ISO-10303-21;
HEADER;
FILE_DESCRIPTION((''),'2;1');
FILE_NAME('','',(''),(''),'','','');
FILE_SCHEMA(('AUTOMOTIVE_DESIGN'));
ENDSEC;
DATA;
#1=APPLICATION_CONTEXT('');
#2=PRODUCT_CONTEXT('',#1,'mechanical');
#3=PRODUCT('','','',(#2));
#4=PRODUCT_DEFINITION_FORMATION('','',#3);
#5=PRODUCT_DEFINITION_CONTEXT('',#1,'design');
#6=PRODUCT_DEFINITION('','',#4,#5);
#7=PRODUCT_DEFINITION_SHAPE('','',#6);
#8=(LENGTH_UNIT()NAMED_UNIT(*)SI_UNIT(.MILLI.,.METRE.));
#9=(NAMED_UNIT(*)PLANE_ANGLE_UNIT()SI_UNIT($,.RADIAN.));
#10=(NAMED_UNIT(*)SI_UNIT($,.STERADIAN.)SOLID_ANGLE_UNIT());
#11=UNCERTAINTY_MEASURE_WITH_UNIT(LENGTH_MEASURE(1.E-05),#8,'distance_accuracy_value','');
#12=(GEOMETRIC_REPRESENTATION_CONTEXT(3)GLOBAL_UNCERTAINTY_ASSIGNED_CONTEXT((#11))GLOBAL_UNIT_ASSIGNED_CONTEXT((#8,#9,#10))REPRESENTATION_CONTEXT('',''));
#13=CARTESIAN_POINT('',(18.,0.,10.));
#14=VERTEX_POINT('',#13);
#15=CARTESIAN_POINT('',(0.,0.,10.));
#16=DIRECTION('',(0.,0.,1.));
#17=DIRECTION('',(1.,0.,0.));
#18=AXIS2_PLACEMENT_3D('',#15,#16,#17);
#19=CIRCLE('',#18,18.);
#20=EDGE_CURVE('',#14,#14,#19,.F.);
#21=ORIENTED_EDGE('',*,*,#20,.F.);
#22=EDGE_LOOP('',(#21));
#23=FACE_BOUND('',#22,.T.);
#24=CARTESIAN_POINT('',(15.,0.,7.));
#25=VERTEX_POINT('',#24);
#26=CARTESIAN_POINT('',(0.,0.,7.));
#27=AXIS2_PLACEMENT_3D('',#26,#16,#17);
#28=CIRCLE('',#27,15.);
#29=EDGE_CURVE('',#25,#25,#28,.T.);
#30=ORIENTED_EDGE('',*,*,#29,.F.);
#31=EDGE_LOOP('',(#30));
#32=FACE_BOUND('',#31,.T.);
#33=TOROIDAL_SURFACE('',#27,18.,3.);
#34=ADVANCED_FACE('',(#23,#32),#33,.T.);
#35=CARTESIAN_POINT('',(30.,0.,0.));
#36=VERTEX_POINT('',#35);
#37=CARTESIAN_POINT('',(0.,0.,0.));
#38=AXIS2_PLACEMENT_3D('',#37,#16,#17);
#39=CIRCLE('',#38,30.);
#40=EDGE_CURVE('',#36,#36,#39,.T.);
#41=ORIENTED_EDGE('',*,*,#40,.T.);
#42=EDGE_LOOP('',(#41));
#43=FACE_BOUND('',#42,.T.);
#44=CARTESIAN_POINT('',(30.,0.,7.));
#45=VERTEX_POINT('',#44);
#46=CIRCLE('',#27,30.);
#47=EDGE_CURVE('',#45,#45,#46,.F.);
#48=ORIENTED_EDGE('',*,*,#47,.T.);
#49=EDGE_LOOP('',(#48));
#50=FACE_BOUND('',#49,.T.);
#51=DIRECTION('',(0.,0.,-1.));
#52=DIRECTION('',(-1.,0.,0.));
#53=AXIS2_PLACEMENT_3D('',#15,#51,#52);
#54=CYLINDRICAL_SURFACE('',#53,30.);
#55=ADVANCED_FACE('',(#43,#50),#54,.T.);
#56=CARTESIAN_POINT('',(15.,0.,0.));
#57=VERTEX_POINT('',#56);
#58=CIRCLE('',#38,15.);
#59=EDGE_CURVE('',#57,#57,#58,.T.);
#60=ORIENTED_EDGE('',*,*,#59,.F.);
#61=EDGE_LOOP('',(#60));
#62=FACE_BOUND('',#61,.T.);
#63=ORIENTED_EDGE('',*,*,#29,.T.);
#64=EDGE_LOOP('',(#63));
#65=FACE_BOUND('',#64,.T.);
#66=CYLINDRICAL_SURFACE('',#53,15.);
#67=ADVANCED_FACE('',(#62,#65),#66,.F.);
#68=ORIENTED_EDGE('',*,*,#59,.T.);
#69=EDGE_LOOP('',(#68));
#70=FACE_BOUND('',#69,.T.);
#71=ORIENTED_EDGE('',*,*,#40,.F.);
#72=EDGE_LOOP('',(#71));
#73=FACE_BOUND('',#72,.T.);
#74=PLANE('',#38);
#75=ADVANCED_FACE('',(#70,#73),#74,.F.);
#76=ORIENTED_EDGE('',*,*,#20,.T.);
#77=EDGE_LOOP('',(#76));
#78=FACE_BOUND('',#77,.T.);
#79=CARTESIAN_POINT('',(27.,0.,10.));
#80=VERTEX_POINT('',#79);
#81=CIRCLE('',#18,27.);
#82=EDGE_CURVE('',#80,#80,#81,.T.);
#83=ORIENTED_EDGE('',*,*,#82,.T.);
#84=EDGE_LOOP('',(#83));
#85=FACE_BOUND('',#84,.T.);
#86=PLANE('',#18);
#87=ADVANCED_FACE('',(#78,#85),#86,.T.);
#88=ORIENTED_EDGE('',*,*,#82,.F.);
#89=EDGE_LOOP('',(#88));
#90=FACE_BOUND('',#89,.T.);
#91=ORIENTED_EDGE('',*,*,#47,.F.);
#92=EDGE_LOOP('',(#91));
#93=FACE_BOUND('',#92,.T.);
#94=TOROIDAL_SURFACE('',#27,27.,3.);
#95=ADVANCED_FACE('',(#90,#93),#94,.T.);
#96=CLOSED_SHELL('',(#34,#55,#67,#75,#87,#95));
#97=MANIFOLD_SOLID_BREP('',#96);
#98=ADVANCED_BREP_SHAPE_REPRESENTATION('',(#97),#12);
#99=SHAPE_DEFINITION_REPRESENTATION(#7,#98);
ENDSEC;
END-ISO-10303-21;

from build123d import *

# Parameters (mm, degrees)
SKETCH1_R           = 30
SKETCH1_R_2         = 15
BOSS_EXTRUDE1_DEPTH = 10
FILLET1_R           = 3


with BuildPart() as part:
    # Sketch1 → Boss-Extrude1 (new body)
    with BuildSketch(Plane.XY):
        Circle(SKETCH1_R)
        Circle(SKETCH1_R_2, mode=Mode.SUBTRACT)
    extrude(amount=BOSS_EXTRUDE1_DEPTH)

    # Fillet1
    fillet1_edges = [part.edges().sort_by_distance(p)[0] for p in [
        (-30, 0, 10),
        (-15, 0, 10),
    ]]
    fillet(fillet1_edges, radius=FILLET1_R)


solid = part.part
